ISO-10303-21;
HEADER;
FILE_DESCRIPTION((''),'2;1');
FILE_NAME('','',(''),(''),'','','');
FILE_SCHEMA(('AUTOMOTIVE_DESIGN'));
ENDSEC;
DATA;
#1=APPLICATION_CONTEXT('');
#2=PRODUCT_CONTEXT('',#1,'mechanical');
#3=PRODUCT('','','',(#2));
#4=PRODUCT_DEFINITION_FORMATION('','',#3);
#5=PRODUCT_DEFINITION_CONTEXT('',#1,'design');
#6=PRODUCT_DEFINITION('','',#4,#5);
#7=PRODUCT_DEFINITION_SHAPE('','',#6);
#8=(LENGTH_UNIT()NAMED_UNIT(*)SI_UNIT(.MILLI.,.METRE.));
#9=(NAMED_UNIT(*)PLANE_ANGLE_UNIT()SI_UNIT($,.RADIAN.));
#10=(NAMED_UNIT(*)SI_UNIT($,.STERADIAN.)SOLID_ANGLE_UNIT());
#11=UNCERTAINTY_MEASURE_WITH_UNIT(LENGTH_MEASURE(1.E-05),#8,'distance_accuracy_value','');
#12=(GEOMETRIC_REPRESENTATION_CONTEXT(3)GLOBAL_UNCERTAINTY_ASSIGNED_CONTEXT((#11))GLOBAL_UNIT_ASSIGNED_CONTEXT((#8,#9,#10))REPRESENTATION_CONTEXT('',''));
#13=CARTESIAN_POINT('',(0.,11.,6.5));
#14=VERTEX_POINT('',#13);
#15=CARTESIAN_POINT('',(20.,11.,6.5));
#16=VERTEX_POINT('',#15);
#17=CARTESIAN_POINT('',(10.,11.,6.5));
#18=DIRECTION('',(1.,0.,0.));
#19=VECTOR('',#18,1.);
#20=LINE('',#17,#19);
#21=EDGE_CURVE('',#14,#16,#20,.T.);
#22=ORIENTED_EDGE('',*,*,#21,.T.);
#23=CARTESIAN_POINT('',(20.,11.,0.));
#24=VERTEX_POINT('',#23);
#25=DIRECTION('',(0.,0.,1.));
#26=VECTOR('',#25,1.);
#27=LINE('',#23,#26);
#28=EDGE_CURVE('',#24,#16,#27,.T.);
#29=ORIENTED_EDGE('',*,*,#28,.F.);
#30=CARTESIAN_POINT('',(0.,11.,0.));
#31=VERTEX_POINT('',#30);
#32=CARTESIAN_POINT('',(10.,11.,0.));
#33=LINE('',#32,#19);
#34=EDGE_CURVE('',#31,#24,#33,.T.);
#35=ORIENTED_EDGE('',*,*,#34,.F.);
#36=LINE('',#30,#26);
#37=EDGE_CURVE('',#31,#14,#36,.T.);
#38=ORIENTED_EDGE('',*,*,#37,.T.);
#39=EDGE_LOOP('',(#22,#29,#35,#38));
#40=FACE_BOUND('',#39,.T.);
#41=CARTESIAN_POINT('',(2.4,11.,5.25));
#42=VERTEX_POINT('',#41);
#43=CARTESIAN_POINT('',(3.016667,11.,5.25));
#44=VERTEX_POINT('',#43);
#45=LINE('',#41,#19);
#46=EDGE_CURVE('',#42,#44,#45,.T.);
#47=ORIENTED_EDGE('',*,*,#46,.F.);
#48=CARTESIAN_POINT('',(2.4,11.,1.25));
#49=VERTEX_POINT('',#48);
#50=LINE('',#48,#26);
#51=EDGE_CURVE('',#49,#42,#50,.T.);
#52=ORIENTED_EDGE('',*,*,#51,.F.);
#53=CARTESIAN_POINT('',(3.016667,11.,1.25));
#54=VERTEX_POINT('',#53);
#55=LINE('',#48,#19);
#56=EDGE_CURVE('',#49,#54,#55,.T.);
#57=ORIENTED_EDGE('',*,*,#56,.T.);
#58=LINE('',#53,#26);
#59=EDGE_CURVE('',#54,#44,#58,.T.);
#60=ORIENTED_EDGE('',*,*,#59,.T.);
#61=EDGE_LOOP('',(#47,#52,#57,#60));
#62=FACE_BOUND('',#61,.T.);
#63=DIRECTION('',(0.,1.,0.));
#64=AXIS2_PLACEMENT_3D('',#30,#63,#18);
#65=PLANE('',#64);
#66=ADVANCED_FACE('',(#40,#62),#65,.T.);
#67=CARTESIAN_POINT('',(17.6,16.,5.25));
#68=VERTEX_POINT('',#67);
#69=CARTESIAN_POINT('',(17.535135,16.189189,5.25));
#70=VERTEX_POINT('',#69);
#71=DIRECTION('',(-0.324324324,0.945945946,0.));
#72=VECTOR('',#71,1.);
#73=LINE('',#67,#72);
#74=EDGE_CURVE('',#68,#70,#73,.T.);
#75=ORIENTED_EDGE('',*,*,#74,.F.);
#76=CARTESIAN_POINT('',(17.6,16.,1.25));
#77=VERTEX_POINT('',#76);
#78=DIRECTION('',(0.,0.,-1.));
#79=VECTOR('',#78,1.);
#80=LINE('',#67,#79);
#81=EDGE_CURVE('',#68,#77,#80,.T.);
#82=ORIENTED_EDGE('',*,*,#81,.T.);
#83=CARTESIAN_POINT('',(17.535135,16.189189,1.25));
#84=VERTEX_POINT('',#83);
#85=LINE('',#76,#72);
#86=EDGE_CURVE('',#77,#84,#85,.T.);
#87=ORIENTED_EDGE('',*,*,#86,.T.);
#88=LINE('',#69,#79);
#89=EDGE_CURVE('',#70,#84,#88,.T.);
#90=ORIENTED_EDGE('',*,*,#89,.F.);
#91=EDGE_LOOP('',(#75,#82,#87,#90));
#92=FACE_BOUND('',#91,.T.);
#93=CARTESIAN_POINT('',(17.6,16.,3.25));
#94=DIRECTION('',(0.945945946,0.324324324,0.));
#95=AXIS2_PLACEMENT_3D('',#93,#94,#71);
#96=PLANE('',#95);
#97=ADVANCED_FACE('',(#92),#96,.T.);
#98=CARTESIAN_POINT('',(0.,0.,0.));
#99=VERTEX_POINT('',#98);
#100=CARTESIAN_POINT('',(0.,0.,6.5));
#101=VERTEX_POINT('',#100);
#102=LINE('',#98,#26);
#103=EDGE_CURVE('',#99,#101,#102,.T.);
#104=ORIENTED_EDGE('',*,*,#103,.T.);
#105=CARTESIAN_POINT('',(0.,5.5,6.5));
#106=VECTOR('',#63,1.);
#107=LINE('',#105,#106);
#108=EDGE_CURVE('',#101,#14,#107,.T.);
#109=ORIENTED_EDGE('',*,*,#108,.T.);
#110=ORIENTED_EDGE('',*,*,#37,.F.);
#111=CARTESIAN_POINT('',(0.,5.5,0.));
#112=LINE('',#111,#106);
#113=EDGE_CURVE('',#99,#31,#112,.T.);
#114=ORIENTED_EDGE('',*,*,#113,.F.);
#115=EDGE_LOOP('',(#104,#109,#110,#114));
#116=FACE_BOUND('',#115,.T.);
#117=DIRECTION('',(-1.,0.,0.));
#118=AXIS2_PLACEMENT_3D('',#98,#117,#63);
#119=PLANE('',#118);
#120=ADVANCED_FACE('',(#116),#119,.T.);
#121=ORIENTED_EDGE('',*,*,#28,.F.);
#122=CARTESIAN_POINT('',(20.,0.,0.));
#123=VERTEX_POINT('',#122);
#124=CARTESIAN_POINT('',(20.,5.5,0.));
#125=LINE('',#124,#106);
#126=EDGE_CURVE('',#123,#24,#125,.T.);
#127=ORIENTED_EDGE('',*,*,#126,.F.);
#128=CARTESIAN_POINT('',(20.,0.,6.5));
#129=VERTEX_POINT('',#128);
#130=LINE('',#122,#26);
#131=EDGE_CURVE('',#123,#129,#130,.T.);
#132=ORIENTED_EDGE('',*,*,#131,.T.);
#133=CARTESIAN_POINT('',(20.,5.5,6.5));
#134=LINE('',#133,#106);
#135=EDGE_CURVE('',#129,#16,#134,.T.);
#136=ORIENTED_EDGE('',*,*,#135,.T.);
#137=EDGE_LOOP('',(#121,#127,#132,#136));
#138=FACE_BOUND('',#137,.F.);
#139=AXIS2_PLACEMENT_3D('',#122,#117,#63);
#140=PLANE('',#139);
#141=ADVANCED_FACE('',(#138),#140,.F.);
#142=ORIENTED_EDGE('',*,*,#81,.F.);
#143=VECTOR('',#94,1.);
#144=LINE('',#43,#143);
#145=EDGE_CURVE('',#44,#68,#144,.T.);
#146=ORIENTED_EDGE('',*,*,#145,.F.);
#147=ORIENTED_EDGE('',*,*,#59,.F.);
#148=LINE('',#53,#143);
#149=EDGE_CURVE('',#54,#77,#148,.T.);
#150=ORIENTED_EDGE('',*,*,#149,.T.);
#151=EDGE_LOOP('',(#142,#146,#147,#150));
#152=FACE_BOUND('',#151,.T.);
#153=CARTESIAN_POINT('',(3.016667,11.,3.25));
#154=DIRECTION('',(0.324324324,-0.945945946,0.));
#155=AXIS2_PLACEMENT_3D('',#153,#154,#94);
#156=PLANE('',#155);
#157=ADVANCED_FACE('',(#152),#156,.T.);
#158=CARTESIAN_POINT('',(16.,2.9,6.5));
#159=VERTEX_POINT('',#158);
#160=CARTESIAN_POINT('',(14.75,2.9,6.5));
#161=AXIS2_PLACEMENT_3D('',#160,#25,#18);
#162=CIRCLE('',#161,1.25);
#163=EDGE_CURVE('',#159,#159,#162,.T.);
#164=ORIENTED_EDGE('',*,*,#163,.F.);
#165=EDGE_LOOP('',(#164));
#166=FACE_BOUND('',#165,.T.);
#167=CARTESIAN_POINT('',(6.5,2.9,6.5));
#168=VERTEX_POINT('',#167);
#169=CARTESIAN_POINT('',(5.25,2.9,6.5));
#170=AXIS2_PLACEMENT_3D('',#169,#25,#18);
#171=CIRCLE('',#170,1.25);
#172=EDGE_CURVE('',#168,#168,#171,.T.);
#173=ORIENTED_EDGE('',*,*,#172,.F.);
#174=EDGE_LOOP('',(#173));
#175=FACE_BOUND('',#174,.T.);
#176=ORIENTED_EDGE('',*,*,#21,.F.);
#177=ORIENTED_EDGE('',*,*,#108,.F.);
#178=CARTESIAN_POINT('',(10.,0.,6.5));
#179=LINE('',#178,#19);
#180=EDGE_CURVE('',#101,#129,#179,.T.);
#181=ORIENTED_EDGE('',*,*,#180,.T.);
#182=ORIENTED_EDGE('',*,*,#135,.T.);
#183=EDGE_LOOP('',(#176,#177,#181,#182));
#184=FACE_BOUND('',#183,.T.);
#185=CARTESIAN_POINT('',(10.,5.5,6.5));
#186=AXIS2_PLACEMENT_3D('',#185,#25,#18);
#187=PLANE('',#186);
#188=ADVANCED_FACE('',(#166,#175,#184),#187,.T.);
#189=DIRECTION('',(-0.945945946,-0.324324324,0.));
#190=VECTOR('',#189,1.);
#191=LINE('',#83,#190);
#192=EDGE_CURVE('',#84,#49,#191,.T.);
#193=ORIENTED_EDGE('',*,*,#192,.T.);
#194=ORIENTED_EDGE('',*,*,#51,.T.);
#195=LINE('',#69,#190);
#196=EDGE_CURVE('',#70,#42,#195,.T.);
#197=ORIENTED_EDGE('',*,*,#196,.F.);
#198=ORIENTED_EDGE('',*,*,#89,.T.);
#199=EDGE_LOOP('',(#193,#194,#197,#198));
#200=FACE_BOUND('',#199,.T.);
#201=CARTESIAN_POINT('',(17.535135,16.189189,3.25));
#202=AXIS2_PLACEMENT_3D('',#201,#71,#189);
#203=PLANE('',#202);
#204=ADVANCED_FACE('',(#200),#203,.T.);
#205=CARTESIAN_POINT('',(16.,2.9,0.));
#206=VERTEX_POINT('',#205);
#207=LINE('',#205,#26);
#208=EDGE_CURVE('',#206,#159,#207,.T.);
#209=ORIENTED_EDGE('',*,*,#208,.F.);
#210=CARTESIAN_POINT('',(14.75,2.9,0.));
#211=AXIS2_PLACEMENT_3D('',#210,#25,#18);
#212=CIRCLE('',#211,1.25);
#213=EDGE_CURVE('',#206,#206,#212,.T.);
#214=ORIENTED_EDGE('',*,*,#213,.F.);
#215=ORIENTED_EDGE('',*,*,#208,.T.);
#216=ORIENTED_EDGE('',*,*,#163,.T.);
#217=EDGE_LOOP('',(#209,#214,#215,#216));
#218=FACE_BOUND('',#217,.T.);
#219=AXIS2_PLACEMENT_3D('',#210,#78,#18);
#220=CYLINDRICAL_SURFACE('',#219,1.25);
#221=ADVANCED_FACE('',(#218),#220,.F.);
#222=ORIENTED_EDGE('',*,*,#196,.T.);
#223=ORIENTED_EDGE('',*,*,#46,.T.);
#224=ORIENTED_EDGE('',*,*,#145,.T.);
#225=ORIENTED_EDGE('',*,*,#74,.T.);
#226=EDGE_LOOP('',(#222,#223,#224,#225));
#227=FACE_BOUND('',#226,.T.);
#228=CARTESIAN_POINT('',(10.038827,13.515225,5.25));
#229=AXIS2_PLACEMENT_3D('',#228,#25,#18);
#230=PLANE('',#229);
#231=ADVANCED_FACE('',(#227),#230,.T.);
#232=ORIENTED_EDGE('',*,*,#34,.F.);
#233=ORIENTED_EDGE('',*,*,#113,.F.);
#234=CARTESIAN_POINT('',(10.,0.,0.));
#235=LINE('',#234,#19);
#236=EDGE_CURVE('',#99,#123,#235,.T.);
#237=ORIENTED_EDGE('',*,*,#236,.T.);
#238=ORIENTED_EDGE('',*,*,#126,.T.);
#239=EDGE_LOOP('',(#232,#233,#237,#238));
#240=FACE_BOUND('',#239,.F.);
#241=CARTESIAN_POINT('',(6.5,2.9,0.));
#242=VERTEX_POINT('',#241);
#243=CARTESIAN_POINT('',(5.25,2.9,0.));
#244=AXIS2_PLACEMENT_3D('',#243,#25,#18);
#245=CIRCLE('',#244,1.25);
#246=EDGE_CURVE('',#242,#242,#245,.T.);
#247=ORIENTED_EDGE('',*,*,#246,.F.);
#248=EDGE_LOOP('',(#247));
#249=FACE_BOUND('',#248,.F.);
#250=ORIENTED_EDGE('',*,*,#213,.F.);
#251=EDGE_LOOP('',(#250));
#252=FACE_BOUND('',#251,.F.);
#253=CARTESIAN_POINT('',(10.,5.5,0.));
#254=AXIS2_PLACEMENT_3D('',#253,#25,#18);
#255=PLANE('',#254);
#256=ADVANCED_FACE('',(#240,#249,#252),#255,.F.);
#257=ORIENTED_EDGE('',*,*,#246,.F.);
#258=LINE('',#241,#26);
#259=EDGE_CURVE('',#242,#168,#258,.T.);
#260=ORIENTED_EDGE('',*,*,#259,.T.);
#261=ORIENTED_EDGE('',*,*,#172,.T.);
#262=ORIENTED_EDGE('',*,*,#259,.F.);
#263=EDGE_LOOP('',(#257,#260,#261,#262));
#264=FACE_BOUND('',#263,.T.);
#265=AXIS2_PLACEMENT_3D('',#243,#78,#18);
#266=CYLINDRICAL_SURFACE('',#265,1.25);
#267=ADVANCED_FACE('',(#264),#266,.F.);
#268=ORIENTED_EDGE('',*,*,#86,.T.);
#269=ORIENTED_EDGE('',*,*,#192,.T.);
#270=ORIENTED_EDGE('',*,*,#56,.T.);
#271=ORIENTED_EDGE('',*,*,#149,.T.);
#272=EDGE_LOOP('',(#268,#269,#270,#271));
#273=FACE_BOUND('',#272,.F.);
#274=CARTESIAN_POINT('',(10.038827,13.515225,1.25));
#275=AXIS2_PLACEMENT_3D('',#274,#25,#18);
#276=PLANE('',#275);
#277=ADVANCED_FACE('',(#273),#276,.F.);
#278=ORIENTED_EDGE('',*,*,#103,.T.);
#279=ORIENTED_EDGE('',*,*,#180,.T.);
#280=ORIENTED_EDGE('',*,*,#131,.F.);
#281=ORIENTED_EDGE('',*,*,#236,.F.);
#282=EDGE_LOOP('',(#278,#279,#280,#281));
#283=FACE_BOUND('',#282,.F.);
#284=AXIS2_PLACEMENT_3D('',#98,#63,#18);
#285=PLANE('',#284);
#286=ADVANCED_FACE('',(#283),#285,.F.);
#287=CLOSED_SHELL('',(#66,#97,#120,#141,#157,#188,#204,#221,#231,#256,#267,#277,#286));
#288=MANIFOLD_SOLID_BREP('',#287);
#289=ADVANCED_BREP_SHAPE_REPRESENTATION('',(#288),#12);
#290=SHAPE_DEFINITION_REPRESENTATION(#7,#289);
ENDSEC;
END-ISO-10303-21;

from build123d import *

# Parameters (mm, degrees)
F0_W     = 20
F0_H     = 11
F0_R     = 1.25
F1_DEPTH = 6.5
F4_DEPTH = 2


with BuildPart() as f1:
    # F0 (on Top) → F1 (new body)
    with BuildSketch(Plane.XY):
        with Locations((10, 5.5)):
            Rectangle(F0_W, F0_H)
        with Locations((5.25, 2.9)):
            Circle(F0_R, mode=Mode.SUBTRACT)
        with Locations((14.75, 2.9)):
            Circle(F0_R, mode=Mode.SUBTRACT)
    extrude(amount=F1_DEPTH)

    # F3 (on mid) → F4 (join, symmetric)
    with BuildSketch(Plane.XY.offset(3.25)):
        Polygon((17.5351351351, 16.1891891892), (2.4, 11), (3.0166666667, 11), (17.6, 16), align=None)
    extrude(amount=F4_DEPTH, both=True)


solid = f1.part
